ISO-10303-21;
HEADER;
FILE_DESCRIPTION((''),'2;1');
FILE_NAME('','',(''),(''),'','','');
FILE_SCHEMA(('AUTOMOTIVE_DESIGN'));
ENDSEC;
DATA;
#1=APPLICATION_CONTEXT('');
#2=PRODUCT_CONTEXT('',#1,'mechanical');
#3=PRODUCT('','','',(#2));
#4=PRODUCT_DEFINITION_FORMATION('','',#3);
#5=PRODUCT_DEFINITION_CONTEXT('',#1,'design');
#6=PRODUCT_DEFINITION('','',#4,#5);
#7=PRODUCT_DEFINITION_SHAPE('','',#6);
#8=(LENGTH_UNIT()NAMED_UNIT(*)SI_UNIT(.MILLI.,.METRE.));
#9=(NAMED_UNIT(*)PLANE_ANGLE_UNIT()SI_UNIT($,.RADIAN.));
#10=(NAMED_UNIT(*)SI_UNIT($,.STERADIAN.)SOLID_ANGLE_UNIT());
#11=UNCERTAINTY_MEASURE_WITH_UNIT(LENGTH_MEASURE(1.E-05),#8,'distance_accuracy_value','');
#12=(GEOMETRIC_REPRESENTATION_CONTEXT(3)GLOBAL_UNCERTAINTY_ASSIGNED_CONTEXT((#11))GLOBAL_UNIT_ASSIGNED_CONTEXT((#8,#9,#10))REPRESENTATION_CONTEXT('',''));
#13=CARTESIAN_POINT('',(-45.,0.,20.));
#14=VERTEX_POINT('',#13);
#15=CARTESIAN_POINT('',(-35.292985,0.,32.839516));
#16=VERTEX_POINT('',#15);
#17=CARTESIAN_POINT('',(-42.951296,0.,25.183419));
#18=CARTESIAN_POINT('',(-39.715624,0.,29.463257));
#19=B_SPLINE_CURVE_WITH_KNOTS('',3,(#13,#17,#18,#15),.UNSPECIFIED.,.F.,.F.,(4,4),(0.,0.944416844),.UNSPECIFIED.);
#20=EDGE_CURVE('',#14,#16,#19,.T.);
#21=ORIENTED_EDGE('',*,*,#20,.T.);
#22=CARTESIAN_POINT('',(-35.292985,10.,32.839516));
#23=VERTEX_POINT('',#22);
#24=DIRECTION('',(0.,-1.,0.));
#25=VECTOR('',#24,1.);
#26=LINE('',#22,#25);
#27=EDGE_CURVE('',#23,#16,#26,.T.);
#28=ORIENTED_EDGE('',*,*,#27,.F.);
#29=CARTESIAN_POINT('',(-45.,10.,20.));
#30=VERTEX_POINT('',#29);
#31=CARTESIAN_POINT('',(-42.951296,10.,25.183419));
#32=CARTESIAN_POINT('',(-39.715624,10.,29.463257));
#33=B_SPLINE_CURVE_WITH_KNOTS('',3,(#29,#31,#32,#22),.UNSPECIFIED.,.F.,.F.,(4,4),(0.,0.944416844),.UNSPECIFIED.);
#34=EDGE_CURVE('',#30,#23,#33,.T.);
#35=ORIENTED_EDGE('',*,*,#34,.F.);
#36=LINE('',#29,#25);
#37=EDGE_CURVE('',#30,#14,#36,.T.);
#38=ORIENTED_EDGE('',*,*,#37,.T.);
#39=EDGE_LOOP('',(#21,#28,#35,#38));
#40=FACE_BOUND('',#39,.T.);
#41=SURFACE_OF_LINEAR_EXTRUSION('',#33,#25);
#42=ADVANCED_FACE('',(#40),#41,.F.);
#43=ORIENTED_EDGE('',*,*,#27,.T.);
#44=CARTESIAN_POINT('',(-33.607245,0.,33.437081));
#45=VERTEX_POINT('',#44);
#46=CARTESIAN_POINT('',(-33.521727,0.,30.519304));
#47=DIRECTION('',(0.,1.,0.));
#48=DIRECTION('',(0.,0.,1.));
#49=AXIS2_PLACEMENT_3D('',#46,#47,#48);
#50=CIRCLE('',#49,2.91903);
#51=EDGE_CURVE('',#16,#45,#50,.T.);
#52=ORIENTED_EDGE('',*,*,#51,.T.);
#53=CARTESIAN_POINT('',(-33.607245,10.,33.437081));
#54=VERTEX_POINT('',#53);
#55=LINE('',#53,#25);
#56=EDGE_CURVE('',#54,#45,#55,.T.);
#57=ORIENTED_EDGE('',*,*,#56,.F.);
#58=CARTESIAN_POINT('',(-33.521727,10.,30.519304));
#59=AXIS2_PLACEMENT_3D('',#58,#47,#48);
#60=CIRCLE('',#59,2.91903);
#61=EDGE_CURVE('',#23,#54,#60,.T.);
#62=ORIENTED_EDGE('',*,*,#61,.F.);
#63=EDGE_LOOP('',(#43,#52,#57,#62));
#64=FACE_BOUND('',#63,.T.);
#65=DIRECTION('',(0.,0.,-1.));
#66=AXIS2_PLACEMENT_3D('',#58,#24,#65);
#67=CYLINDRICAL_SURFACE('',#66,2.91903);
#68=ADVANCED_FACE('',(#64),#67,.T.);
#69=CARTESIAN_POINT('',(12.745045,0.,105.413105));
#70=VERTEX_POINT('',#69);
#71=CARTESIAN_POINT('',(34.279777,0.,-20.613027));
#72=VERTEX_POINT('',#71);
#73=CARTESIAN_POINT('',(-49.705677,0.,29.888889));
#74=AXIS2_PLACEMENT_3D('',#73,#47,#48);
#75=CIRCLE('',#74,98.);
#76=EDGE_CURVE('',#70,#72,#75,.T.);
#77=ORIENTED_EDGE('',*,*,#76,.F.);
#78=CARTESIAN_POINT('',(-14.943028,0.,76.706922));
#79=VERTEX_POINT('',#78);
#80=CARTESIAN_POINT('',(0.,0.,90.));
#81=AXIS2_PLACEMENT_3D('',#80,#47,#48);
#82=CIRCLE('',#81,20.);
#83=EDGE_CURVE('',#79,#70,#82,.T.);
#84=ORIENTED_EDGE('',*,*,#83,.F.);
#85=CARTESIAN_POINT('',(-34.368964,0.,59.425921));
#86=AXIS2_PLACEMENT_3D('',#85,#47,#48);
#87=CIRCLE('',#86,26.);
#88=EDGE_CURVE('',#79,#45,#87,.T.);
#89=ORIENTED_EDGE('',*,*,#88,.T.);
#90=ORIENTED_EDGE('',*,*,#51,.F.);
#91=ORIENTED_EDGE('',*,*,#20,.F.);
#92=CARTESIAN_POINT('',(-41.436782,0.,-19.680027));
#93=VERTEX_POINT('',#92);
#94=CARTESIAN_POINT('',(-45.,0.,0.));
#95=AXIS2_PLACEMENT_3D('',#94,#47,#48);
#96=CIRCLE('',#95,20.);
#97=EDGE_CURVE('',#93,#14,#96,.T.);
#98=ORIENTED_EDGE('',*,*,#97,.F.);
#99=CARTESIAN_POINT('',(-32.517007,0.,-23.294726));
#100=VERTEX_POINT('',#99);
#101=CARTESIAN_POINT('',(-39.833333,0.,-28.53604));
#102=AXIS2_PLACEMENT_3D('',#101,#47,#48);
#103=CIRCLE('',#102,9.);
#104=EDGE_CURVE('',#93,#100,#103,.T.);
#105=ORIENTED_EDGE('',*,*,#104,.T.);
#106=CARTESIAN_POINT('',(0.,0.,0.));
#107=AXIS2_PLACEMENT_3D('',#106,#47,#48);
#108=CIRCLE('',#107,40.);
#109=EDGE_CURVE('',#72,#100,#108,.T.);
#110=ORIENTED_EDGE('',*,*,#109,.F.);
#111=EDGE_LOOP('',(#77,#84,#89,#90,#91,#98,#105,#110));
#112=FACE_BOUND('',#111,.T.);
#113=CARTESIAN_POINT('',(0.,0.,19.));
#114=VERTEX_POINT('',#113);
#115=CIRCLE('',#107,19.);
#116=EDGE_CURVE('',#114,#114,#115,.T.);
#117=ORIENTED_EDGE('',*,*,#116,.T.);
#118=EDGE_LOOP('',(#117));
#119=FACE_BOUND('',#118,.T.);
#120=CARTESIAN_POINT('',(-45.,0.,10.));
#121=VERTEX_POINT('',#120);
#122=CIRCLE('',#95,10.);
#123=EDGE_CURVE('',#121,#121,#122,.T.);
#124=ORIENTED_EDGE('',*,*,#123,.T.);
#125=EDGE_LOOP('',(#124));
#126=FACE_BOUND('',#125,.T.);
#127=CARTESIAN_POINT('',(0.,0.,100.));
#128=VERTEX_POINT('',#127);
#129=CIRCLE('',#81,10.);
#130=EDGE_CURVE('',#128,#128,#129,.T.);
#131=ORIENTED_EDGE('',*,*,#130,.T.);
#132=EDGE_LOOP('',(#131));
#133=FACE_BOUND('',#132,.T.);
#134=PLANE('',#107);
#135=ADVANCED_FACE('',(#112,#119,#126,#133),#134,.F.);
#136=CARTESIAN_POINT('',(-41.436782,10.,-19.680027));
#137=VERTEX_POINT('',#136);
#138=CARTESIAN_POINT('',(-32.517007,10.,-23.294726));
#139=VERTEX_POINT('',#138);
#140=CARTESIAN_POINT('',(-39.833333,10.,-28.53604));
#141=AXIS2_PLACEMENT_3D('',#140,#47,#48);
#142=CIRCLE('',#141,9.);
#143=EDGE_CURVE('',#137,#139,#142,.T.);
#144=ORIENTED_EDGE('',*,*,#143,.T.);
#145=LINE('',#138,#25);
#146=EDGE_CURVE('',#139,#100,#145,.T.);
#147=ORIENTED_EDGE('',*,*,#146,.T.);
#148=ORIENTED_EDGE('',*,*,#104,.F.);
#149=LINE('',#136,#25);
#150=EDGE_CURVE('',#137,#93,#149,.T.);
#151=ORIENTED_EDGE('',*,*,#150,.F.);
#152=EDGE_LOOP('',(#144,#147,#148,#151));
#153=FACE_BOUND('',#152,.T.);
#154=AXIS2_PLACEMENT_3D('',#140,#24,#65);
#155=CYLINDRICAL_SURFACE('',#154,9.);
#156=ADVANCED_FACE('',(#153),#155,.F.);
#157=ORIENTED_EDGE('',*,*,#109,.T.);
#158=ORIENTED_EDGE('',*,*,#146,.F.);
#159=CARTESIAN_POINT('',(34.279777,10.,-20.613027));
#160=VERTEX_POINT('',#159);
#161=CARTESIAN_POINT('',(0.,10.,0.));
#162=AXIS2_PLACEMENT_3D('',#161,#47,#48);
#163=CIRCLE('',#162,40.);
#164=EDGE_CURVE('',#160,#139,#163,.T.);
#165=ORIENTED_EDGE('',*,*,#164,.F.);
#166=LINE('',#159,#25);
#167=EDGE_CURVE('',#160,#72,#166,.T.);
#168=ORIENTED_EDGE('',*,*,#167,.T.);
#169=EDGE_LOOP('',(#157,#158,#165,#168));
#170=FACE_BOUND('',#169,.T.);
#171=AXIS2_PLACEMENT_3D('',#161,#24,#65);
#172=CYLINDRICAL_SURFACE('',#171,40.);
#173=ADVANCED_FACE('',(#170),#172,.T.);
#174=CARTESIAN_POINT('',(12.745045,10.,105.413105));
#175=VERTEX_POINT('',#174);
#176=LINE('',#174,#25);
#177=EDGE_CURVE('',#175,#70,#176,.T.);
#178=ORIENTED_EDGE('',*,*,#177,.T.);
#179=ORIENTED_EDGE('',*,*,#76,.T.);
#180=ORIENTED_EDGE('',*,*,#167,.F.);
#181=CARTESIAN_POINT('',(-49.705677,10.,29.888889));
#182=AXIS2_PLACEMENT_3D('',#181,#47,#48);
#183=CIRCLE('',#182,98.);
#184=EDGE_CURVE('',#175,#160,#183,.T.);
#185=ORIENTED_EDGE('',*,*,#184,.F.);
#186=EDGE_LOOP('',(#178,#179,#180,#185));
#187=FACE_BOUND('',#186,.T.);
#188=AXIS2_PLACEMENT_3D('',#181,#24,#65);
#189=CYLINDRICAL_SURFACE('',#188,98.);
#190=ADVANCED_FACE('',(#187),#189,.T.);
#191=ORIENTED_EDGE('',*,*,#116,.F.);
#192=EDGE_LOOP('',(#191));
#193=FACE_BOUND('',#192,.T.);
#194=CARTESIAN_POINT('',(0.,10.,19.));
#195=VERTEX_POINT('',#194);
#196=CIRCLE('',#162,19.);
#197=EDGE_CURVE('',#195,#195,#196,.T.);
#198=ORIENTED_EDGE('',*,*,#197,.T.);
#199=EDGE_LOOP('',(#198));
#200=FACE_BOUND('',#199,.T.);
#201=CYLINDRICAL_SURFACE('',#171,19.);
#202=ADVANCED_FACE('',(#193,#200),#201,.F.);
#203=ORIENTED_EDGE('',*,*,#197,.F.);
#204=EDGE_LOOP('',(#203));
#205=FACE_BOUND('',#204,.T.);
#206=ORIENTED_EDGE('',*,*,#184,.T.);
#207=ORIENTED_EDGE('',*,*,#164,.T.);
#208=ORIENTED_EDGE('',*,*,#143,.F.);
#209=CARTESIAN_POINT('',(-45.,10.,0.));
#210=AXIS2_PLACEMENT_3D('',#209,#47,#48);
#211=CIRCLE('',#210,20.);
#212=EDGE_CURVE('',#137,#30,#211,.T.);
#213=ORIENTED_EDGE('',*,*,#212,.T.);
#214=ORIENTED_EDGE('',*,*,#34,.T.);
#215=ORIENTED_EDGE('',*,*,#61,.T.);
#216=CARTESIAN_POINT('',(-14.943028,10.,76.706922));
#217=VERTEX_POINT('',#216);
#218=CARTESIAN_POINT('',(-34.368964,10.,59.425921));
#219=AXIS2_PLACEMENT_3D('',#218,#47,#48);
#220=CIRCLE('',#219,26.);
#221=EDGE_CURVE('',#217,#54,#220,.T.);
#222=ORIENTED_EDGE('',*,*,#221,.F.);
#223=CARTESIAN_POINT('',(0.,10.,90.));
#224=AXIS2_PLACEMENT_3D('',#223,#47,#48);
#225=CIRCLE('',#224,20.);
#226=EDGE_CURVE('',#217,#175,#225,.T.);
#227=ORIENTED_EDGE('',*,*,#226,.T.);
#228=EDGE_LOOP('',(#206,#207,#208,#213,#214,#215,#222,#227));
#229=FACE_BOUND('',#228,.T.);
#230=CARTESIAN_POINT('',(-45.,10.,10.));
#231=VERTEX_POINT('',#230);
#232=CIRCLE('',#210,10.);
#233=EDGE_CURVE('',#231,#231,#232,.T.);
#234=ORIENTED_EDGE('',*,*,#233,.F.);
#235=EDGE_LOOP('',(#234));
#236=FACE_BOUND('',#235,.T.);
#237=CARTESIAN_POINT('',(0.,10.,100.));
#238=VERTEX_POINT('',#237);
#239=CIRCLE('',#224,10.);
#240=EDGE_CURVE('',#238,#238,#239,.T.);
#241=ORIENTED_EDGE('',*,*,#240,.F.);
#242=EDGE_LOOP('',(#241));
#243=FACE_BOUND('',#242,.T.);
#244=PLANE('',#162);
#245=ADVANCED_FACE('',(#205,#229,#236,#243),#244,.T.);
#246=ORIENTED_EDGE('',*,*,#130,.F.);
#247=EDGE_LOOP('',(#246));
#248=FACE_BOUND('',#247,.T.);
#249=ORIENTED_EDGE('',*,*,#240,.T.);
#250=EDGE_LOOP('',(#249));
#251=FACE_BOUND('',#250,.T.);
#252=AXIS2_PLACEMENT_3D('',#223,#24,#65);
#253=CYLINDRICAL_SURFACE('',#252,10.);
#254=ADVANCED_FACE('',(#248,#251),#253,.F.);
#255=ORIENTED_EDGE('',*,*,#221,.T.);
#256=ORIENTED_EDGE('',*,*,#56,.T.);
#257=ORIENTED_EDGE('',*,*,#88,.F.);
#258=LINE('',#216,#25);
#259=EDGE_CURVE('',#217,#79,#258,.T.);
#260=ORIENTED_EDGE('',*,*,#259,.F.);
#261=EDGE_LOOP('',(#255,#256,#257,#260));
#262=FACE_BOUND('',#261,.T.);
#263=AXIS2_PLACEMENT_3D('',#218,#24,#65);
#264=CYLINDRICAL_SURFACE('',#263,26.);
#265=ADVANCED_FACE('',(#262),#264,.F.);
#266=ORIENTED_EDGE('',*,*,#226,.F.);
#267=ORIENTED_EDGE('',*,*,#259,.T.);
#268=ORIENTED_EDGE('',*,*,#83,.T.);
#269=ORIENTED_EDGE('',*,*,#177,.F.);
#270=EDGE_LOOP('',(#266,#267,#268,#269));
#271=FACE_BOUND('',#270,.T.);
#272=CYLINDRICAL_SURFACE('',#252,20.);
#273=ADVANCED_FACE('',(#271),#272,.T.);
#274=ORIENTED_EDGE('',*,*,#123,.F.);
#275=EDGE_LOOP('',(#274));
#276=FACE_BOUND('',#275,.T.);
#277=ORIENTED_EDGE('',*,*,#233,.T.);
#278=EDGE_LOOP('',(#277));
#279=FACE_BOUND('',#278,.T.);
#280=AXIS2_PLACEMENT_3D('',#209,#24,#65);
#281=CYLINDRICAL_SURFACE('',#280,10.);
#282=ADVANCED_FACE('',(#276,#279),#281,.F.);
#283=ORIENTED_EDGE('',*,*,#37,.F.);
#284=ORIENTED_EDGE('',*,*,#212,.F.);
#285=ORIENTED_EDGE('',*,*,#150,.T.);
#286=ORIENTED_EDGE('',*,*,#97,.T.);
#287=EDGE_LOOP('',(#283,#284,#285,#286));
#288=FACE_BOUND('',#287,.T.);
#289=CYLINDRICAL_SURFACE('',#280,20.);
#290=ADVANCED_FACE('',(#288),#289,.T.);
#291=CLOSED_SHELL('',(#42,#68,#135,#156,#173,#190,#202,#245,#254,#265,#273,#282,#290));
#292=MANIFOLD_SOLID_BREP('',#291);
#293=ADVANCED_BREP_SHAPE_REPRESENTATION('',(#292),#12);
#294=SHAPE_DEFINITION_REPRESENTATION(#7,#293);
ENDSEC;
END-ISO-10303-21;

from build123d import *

# Parameters (mm, degrees)
SKETCH1_R           = 19
SKETCH1_R_2         = 10
BOSS_EXTRUDE1_DEPTH = 10


with BuildPart() as part:
    # Sketch1 → Boss-Extrude1 (new body)
    with BuildSketch(Plane(origin=(0, 0, 0), x_dir=(1, 0, 0), z_dir=(0, 1, 0))):
        with BuildLine():
            ThreePointArc((-41.436781609, 19.680027304), (-64.91984621, 1.788778062), (-45, -20))
            add(Edge.make_bspline(
                [(-45, -20), (-42.951295687, -25.183418909), (-39.715623944, -29.46325745), (-35.29298477, -32.839515621)],
                knots=[0, 0, 0, 0, 0.944416844, 0.944416844, 0.944416844, 0.944416844], degree=3))
            ThreePointArc((-35.29298477, -32.839515621), (-34.497009223, -33.27058744), (-33.607245283, -33.437081025))
            ThreePointArc((-33.607245283, -33.437081025), (-10.495230645, -49.128111854), (-14.943027733, -76.70692202))
            ThreePointArc((-14.943027733, -76.70692202), (-14.395104128, -103.884558947), (12.745045372, -105.413105413))
            ThreePointArc((12.745045372, -105.413105413), (46.894193375, -46.39540437), (34.279777206, 20.61302682))
            ThreePointArc((34.279777206, 20.61302682), (1.604592709, 39.96780307), (-32.517006803, 23.294726197))
            ThreePointArc((-32.517006803, 23.294726197), (-36.453132672, 20.194921951), (-41.436781609, 19.680027304))
        make_face()
        with Locations(Location((0, 0, 0), (0, 0, 270))):
            Circle(SKETCH1_R, mode=Mode.SUBTRACT)
        with Locations(Location((-45, 0, 0), (0, 0, 270))):
            Circle(SKETCH1_R_2, mode=Mode.SUBTRACT)
        with Locations(Location((0, -90, 0), (0, 0, 270))):
            Circle(SKETCH1_R_2, mode=Mode.SUBTRACT)
    extrude(amount=BOSS_EXTRUDE1_DEPTH)


solid = part.part
